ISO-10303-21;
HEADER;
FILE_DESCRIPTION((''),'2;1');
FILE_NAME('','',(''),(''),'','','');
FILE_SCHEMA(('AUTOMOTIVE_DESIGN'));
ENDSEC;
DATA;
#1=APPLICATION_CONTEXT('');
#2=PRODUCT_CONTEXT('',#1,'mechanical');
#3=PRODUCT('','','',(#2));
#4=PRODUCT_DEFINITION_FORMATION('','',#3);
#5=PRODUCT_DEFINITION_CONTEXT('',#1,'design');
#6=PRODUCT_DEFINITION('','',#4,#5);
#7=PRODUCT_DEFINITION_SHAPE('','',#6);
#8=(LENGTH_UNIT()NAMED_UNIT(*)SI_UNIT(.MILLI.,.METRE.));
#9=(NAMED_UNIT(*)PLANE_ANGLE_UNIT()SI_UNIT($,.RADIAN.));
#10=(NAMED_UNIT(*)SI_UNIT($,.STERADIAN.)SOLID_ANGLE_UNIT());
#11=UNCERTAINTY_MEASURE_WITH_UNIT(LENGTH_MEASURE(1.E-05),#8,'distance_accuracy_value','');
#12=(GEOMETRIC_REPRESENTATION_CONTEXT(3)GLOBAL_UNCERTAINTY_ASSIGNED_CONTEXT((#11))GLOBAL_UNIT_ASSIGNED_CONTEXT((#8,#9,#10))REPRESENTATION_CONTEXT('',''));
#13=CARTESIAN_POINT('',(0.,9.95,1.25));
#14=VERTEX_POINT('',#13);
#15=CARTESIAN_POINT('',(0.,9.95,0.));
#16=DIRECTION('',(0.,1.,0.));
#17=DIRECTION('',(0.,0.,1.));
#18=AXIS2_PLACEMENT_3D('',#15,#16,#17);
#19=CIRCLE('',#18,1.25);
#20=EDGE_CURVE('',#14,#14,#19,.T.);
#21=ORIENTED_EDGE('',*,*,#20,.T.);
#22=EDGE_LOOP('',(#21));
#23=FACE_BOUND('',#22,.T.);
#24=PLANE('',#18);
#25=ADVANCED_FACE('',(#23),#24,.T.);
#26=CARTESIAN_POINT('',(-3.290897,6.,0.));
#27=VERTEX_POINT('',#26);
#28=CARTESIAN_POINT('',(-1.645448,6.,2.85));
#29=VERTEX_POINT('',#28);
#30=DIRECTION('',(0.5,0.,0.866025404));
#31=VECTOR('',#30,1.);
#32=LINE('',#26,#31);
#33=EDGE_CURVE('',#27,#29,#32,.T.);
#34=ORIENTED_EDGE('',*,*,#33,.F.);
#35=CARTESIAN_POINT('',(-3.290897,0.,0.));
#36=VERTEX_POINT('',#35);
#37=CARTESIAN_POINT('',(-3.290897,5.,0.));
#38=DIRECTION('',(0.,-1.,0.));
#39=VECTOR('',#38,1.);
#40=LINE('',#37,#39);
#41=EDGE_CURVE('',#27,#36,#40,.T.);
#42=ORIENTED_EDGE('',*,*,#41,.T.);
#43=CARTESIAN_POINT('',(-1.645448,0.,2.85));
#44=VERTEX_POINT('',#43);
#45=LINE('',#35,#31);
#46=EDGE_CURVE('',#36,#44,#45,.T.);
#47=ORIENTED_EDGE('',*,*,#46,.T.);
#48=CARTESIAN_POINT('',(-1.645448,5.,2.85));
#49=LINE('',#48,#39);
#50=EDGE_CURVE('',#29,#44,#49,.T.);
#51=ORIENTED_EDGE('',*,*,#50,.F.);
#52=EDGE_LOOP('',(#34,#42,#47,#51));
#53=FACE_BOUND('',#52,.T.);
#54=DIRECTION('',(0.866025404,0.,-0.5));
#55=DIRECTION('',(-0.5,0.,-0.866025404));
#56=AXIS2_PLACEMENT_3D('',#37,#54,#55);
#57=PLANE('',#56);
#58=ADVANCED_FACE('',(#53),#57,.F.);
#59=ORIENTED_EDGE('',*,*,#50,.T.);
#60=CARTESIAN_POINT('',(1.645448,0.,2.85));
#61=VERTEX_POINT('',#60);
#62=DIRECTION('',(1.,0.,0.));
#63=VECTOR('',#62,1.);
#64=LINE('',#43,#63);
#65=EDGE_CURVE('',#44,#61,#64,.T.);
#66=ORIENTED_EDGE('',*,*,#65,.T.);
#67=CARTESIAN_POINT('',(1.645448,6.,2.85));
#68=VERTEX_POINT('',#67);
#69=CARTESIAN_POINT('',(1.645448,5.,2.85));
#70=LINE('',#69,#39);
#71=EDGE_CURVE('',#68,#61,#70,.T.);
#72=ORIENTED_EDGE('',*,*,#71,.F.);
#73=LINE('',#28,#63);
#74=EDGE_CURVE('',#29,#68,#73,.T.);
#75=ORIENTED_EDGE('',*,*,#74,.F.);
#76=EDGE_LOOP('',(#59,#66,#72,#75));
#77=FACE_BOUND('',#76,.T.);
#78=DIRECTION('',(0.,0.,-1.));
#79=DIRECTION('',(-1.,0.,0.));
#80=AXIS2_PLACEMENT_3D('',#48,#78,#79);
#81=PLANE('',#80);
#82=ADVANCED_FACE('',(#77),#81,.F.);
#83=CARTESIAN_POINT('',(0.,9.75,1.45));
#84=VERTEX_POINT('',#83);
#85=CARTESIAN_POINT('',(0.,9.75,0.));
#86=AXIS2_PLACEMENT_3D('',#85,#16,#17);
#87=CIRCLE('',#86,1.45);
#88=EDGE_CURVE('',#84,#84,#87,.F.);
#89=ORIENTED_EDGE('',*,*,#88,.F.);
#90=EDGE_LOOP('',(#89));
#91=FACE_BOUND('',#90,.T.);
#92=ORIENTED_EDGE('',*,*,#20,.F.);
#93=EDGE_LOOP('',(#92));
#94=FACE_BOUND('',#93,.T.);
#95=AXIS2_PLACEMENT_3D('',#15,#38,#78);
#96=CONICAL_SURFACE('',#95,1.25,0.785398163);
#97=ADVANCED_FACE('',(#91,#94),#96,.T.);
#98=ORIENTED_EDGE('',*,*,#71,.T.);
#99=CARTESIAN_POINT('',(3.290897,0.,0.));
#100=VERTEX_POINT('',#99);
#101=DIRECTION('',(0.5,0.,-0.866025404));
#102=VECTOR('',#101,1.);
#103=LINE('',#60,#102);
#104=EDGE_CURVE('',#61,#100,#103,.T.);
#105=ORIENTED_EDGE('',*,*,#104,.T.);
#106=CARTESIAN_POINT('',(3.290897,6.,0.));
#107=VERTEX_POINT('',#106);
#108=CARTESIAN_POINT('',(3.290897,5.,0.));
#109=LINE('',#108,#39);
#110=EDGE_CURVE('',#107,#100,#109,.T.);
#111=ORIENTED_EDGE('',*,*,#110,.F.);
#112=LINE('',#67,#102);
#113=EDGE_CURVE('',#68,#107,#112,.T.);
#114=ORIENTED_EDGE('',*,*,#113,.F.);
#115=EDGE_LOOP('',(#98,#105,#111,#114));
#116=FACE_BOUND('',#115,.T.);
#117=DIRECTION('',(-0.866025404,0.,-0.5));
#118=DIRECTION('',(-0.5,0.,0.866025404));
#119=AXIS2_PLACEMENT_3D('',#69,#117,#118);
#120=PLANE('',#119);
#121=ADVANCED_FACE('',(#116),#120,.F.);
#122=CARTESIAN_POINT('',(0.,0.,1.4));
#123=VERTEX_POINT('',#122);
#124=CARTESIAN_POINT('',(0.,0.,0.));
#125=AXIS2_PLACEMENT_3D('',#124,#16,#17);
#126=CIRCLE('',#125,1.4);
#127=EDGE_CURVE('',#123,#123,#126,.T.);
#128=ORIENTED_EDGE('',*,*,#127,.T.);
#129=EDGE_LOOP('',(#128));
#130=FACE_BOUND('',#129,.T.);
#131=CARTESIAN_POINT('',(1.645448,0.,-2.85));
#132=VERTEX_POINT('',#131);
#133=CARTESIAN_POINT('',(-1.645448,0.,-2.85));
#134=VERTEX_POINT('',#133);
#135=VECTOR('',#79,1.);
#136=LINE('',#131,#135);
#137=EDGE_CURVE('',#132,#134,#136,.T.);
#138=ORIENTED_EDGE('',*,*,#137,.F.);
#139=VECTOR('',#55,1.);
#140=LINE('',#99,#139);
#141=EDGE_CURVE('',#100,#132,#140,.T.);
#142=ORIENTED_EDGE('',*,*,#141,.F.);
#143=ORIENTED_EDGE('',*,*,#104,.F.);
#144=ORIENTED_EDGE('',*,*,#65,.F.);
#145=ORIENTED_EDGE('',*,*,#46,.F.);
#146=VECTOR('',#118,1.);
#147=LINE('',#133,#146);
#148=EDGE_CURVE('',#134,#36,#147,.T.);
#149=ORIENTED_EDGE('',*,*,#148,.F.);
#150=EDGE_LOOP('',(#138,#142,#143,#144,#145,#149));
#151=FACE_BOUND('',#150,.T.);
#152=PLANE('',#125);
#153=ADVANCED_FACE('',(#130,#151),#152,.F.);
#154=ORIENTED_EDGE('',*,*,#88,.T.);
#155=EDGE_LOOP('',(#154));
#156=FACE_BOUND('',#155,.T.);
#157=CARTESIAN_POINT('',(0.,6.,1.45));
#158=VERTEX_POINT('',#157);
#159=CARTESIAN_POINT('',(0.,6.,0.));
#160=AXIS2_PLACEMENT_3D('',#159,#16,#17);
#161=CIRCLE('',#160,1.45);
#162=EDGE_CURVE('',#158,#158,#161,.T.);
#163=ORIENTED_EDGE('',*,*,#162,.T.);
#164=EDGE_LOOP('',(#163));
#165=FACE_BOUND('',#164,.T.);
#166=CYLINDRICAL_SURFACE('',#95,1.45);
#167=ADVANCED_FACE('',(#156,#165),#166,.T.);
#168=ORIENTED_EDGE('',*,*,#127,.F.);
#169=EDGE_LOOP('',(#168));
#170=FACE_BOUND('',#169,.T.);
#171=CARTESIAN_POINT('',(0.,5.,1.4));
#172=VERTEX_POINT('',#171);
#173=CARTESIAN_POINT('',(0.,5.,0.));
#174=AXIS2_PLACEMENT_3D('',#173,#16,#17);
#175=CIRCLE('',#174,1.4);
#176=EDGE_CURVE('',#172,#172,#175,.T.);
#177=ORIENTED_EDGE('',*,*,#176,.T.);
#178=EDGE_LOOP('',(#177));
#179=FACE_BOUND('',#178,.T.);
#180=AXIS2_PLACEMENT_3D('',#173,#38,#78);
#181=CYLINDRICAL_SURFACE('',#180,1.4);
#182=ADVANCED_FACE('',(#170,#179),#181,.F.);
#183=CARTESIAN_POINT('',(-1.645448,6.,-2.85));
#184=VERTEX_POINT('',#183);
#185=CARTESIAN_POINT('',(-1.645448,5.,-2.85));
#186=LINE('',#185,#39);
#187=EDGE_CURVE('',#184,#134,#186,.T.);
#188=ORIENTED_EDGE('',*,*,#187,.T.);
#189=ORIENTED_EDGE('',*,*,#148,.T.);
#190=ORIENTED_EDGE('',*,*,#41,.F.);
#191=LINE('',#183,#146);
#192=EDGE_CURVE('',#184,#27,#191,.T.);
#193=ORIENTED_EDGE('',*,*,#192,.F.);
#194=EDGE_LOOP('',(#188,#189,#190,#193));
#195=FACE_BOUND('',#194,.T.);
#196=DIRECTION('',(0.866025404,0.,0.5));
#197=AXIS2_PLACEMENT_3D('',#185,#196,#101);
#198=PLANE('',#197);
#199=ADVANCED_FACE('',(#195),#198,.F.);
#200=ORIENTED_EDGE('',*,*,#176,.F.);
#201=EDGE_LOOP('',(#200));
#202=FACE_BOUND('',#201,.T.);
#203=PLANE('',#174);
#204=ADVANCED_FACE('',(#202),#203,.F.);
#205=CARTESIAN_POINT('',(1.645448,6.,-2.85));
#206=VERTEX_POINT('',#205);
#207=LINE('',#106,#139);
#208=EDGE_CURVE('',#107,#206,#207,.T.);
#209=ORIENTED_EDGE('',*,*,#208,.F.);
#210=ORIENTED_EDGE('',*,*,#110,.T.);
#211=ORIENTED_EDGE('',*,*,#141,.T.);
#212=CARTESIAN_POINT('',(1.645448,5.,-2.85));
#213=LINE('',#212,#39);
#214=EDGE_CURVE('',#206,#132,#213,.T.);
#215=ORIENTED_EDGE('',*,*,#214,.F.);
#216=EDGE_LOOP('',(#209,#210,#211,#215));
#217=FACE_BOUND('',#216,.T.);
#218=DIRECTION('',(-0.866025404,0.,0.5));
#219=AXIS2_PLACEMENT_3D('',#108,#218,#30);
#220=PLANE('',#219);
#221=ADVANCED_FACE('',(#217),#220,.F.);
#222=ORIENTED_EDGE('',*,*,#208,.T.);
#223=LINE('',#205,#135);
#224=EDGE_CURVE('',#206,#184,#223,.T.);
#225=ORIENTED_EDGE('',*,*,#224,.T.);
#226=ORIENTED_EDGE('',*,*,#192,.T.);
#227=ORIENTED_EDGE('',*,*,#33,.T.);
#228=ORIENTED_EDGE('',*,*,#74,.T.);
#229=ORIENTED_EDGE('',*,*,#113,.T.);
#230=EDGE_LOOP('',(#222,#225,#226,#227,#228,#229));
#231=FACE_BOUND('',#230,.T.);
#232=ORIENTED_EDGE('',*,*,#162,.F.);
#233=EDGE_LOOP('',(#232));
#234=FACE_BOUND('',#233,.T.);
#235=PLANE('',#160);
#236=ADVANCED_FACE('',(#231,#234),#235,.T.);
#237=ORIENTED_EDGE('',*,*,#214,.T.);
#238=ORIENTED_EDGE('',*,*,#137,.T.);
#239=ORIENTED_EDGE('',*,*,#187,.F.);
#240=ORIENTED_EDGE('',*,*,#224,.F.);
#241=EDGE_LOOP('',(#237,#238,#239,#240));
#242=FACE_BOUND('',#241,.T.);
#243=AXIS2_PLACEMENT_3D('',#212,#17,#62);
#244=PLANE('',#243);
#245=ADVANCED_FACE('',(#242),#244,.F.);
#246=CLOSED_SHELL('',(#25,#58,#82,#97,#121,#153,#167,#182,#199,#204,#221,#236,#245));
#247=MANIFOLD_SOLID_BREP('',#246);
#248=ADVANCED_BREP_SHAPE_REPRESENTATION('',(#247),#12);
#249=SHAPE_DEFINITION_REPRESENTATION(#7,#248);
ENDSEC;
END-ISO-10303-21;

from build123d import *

# Parameters (mm, degrees)
SKETCH1_R           = 1.4
BOSS_EXTRUDE1_DEPTH = 5
BOSS_EXTRUDE2_DEPTH = 1
SKETCH3_R           = 1.45
BOSS_EXTRUDE3_DEPTH = 3.95
CHAMFER1_SIZE       = 0.2


with BuildPart() as part:
    # Sketch1 → Boss-Extrude1 (new body)
    with BuildSketch(Plane(origin=(0, 0, 0), x_dir=(1, 0, 0), z_dir=(0, 1, 0))):
        Polygon((1.645448267, -2.85), (3.290896534, 0), (1.645448267, 2.85), (-1.645448267, 2.85), (-3.290896534, 0), (-1.645448267, -2.85), align=None)
        Circle(SKETCH1_R, mode=Mode.SUBTRACT)
    extrude(amount=BOSS_EXTRUDE1_DEPTH)

    # Sketch2 → Boss-Extrude2 (add)
    with BuildSketch(Plane(origin=(0, 5, 0), x_dir=(1, 0, 0), z_dir=(0, 1, 0))):
        Polygon((-1.645448267, -2.85), (1.645448267, -2.85), (3.290896534, 0), (1.645448267, 2.85), (-1.645448267, 2.85), (-3.290896534, 0), align=None)
    extrude(amount=BOSS_EXTRUDE2_DEPTH)

    # Sketch3 → Boss-Extrude3 (add)
    with BuildSketch(Plane(origin=(0, 6, 0), x_dir=(1, 0, 0), z_dir=(0, 1, 0))):
        Circle(SKETCH3_R)
    extrude(amount=BOSS_EXTRUDE3_DEPTH)

    # Chamfer1
    chamfer1_edges = [part.edges().sort_by_distance(p)[0] for p in [
        (-1.45, 9.95, 0),
    ]]
    chamfer(chamfer1_edges, length=CHAMFER1_SIZE)


solid = part.part
